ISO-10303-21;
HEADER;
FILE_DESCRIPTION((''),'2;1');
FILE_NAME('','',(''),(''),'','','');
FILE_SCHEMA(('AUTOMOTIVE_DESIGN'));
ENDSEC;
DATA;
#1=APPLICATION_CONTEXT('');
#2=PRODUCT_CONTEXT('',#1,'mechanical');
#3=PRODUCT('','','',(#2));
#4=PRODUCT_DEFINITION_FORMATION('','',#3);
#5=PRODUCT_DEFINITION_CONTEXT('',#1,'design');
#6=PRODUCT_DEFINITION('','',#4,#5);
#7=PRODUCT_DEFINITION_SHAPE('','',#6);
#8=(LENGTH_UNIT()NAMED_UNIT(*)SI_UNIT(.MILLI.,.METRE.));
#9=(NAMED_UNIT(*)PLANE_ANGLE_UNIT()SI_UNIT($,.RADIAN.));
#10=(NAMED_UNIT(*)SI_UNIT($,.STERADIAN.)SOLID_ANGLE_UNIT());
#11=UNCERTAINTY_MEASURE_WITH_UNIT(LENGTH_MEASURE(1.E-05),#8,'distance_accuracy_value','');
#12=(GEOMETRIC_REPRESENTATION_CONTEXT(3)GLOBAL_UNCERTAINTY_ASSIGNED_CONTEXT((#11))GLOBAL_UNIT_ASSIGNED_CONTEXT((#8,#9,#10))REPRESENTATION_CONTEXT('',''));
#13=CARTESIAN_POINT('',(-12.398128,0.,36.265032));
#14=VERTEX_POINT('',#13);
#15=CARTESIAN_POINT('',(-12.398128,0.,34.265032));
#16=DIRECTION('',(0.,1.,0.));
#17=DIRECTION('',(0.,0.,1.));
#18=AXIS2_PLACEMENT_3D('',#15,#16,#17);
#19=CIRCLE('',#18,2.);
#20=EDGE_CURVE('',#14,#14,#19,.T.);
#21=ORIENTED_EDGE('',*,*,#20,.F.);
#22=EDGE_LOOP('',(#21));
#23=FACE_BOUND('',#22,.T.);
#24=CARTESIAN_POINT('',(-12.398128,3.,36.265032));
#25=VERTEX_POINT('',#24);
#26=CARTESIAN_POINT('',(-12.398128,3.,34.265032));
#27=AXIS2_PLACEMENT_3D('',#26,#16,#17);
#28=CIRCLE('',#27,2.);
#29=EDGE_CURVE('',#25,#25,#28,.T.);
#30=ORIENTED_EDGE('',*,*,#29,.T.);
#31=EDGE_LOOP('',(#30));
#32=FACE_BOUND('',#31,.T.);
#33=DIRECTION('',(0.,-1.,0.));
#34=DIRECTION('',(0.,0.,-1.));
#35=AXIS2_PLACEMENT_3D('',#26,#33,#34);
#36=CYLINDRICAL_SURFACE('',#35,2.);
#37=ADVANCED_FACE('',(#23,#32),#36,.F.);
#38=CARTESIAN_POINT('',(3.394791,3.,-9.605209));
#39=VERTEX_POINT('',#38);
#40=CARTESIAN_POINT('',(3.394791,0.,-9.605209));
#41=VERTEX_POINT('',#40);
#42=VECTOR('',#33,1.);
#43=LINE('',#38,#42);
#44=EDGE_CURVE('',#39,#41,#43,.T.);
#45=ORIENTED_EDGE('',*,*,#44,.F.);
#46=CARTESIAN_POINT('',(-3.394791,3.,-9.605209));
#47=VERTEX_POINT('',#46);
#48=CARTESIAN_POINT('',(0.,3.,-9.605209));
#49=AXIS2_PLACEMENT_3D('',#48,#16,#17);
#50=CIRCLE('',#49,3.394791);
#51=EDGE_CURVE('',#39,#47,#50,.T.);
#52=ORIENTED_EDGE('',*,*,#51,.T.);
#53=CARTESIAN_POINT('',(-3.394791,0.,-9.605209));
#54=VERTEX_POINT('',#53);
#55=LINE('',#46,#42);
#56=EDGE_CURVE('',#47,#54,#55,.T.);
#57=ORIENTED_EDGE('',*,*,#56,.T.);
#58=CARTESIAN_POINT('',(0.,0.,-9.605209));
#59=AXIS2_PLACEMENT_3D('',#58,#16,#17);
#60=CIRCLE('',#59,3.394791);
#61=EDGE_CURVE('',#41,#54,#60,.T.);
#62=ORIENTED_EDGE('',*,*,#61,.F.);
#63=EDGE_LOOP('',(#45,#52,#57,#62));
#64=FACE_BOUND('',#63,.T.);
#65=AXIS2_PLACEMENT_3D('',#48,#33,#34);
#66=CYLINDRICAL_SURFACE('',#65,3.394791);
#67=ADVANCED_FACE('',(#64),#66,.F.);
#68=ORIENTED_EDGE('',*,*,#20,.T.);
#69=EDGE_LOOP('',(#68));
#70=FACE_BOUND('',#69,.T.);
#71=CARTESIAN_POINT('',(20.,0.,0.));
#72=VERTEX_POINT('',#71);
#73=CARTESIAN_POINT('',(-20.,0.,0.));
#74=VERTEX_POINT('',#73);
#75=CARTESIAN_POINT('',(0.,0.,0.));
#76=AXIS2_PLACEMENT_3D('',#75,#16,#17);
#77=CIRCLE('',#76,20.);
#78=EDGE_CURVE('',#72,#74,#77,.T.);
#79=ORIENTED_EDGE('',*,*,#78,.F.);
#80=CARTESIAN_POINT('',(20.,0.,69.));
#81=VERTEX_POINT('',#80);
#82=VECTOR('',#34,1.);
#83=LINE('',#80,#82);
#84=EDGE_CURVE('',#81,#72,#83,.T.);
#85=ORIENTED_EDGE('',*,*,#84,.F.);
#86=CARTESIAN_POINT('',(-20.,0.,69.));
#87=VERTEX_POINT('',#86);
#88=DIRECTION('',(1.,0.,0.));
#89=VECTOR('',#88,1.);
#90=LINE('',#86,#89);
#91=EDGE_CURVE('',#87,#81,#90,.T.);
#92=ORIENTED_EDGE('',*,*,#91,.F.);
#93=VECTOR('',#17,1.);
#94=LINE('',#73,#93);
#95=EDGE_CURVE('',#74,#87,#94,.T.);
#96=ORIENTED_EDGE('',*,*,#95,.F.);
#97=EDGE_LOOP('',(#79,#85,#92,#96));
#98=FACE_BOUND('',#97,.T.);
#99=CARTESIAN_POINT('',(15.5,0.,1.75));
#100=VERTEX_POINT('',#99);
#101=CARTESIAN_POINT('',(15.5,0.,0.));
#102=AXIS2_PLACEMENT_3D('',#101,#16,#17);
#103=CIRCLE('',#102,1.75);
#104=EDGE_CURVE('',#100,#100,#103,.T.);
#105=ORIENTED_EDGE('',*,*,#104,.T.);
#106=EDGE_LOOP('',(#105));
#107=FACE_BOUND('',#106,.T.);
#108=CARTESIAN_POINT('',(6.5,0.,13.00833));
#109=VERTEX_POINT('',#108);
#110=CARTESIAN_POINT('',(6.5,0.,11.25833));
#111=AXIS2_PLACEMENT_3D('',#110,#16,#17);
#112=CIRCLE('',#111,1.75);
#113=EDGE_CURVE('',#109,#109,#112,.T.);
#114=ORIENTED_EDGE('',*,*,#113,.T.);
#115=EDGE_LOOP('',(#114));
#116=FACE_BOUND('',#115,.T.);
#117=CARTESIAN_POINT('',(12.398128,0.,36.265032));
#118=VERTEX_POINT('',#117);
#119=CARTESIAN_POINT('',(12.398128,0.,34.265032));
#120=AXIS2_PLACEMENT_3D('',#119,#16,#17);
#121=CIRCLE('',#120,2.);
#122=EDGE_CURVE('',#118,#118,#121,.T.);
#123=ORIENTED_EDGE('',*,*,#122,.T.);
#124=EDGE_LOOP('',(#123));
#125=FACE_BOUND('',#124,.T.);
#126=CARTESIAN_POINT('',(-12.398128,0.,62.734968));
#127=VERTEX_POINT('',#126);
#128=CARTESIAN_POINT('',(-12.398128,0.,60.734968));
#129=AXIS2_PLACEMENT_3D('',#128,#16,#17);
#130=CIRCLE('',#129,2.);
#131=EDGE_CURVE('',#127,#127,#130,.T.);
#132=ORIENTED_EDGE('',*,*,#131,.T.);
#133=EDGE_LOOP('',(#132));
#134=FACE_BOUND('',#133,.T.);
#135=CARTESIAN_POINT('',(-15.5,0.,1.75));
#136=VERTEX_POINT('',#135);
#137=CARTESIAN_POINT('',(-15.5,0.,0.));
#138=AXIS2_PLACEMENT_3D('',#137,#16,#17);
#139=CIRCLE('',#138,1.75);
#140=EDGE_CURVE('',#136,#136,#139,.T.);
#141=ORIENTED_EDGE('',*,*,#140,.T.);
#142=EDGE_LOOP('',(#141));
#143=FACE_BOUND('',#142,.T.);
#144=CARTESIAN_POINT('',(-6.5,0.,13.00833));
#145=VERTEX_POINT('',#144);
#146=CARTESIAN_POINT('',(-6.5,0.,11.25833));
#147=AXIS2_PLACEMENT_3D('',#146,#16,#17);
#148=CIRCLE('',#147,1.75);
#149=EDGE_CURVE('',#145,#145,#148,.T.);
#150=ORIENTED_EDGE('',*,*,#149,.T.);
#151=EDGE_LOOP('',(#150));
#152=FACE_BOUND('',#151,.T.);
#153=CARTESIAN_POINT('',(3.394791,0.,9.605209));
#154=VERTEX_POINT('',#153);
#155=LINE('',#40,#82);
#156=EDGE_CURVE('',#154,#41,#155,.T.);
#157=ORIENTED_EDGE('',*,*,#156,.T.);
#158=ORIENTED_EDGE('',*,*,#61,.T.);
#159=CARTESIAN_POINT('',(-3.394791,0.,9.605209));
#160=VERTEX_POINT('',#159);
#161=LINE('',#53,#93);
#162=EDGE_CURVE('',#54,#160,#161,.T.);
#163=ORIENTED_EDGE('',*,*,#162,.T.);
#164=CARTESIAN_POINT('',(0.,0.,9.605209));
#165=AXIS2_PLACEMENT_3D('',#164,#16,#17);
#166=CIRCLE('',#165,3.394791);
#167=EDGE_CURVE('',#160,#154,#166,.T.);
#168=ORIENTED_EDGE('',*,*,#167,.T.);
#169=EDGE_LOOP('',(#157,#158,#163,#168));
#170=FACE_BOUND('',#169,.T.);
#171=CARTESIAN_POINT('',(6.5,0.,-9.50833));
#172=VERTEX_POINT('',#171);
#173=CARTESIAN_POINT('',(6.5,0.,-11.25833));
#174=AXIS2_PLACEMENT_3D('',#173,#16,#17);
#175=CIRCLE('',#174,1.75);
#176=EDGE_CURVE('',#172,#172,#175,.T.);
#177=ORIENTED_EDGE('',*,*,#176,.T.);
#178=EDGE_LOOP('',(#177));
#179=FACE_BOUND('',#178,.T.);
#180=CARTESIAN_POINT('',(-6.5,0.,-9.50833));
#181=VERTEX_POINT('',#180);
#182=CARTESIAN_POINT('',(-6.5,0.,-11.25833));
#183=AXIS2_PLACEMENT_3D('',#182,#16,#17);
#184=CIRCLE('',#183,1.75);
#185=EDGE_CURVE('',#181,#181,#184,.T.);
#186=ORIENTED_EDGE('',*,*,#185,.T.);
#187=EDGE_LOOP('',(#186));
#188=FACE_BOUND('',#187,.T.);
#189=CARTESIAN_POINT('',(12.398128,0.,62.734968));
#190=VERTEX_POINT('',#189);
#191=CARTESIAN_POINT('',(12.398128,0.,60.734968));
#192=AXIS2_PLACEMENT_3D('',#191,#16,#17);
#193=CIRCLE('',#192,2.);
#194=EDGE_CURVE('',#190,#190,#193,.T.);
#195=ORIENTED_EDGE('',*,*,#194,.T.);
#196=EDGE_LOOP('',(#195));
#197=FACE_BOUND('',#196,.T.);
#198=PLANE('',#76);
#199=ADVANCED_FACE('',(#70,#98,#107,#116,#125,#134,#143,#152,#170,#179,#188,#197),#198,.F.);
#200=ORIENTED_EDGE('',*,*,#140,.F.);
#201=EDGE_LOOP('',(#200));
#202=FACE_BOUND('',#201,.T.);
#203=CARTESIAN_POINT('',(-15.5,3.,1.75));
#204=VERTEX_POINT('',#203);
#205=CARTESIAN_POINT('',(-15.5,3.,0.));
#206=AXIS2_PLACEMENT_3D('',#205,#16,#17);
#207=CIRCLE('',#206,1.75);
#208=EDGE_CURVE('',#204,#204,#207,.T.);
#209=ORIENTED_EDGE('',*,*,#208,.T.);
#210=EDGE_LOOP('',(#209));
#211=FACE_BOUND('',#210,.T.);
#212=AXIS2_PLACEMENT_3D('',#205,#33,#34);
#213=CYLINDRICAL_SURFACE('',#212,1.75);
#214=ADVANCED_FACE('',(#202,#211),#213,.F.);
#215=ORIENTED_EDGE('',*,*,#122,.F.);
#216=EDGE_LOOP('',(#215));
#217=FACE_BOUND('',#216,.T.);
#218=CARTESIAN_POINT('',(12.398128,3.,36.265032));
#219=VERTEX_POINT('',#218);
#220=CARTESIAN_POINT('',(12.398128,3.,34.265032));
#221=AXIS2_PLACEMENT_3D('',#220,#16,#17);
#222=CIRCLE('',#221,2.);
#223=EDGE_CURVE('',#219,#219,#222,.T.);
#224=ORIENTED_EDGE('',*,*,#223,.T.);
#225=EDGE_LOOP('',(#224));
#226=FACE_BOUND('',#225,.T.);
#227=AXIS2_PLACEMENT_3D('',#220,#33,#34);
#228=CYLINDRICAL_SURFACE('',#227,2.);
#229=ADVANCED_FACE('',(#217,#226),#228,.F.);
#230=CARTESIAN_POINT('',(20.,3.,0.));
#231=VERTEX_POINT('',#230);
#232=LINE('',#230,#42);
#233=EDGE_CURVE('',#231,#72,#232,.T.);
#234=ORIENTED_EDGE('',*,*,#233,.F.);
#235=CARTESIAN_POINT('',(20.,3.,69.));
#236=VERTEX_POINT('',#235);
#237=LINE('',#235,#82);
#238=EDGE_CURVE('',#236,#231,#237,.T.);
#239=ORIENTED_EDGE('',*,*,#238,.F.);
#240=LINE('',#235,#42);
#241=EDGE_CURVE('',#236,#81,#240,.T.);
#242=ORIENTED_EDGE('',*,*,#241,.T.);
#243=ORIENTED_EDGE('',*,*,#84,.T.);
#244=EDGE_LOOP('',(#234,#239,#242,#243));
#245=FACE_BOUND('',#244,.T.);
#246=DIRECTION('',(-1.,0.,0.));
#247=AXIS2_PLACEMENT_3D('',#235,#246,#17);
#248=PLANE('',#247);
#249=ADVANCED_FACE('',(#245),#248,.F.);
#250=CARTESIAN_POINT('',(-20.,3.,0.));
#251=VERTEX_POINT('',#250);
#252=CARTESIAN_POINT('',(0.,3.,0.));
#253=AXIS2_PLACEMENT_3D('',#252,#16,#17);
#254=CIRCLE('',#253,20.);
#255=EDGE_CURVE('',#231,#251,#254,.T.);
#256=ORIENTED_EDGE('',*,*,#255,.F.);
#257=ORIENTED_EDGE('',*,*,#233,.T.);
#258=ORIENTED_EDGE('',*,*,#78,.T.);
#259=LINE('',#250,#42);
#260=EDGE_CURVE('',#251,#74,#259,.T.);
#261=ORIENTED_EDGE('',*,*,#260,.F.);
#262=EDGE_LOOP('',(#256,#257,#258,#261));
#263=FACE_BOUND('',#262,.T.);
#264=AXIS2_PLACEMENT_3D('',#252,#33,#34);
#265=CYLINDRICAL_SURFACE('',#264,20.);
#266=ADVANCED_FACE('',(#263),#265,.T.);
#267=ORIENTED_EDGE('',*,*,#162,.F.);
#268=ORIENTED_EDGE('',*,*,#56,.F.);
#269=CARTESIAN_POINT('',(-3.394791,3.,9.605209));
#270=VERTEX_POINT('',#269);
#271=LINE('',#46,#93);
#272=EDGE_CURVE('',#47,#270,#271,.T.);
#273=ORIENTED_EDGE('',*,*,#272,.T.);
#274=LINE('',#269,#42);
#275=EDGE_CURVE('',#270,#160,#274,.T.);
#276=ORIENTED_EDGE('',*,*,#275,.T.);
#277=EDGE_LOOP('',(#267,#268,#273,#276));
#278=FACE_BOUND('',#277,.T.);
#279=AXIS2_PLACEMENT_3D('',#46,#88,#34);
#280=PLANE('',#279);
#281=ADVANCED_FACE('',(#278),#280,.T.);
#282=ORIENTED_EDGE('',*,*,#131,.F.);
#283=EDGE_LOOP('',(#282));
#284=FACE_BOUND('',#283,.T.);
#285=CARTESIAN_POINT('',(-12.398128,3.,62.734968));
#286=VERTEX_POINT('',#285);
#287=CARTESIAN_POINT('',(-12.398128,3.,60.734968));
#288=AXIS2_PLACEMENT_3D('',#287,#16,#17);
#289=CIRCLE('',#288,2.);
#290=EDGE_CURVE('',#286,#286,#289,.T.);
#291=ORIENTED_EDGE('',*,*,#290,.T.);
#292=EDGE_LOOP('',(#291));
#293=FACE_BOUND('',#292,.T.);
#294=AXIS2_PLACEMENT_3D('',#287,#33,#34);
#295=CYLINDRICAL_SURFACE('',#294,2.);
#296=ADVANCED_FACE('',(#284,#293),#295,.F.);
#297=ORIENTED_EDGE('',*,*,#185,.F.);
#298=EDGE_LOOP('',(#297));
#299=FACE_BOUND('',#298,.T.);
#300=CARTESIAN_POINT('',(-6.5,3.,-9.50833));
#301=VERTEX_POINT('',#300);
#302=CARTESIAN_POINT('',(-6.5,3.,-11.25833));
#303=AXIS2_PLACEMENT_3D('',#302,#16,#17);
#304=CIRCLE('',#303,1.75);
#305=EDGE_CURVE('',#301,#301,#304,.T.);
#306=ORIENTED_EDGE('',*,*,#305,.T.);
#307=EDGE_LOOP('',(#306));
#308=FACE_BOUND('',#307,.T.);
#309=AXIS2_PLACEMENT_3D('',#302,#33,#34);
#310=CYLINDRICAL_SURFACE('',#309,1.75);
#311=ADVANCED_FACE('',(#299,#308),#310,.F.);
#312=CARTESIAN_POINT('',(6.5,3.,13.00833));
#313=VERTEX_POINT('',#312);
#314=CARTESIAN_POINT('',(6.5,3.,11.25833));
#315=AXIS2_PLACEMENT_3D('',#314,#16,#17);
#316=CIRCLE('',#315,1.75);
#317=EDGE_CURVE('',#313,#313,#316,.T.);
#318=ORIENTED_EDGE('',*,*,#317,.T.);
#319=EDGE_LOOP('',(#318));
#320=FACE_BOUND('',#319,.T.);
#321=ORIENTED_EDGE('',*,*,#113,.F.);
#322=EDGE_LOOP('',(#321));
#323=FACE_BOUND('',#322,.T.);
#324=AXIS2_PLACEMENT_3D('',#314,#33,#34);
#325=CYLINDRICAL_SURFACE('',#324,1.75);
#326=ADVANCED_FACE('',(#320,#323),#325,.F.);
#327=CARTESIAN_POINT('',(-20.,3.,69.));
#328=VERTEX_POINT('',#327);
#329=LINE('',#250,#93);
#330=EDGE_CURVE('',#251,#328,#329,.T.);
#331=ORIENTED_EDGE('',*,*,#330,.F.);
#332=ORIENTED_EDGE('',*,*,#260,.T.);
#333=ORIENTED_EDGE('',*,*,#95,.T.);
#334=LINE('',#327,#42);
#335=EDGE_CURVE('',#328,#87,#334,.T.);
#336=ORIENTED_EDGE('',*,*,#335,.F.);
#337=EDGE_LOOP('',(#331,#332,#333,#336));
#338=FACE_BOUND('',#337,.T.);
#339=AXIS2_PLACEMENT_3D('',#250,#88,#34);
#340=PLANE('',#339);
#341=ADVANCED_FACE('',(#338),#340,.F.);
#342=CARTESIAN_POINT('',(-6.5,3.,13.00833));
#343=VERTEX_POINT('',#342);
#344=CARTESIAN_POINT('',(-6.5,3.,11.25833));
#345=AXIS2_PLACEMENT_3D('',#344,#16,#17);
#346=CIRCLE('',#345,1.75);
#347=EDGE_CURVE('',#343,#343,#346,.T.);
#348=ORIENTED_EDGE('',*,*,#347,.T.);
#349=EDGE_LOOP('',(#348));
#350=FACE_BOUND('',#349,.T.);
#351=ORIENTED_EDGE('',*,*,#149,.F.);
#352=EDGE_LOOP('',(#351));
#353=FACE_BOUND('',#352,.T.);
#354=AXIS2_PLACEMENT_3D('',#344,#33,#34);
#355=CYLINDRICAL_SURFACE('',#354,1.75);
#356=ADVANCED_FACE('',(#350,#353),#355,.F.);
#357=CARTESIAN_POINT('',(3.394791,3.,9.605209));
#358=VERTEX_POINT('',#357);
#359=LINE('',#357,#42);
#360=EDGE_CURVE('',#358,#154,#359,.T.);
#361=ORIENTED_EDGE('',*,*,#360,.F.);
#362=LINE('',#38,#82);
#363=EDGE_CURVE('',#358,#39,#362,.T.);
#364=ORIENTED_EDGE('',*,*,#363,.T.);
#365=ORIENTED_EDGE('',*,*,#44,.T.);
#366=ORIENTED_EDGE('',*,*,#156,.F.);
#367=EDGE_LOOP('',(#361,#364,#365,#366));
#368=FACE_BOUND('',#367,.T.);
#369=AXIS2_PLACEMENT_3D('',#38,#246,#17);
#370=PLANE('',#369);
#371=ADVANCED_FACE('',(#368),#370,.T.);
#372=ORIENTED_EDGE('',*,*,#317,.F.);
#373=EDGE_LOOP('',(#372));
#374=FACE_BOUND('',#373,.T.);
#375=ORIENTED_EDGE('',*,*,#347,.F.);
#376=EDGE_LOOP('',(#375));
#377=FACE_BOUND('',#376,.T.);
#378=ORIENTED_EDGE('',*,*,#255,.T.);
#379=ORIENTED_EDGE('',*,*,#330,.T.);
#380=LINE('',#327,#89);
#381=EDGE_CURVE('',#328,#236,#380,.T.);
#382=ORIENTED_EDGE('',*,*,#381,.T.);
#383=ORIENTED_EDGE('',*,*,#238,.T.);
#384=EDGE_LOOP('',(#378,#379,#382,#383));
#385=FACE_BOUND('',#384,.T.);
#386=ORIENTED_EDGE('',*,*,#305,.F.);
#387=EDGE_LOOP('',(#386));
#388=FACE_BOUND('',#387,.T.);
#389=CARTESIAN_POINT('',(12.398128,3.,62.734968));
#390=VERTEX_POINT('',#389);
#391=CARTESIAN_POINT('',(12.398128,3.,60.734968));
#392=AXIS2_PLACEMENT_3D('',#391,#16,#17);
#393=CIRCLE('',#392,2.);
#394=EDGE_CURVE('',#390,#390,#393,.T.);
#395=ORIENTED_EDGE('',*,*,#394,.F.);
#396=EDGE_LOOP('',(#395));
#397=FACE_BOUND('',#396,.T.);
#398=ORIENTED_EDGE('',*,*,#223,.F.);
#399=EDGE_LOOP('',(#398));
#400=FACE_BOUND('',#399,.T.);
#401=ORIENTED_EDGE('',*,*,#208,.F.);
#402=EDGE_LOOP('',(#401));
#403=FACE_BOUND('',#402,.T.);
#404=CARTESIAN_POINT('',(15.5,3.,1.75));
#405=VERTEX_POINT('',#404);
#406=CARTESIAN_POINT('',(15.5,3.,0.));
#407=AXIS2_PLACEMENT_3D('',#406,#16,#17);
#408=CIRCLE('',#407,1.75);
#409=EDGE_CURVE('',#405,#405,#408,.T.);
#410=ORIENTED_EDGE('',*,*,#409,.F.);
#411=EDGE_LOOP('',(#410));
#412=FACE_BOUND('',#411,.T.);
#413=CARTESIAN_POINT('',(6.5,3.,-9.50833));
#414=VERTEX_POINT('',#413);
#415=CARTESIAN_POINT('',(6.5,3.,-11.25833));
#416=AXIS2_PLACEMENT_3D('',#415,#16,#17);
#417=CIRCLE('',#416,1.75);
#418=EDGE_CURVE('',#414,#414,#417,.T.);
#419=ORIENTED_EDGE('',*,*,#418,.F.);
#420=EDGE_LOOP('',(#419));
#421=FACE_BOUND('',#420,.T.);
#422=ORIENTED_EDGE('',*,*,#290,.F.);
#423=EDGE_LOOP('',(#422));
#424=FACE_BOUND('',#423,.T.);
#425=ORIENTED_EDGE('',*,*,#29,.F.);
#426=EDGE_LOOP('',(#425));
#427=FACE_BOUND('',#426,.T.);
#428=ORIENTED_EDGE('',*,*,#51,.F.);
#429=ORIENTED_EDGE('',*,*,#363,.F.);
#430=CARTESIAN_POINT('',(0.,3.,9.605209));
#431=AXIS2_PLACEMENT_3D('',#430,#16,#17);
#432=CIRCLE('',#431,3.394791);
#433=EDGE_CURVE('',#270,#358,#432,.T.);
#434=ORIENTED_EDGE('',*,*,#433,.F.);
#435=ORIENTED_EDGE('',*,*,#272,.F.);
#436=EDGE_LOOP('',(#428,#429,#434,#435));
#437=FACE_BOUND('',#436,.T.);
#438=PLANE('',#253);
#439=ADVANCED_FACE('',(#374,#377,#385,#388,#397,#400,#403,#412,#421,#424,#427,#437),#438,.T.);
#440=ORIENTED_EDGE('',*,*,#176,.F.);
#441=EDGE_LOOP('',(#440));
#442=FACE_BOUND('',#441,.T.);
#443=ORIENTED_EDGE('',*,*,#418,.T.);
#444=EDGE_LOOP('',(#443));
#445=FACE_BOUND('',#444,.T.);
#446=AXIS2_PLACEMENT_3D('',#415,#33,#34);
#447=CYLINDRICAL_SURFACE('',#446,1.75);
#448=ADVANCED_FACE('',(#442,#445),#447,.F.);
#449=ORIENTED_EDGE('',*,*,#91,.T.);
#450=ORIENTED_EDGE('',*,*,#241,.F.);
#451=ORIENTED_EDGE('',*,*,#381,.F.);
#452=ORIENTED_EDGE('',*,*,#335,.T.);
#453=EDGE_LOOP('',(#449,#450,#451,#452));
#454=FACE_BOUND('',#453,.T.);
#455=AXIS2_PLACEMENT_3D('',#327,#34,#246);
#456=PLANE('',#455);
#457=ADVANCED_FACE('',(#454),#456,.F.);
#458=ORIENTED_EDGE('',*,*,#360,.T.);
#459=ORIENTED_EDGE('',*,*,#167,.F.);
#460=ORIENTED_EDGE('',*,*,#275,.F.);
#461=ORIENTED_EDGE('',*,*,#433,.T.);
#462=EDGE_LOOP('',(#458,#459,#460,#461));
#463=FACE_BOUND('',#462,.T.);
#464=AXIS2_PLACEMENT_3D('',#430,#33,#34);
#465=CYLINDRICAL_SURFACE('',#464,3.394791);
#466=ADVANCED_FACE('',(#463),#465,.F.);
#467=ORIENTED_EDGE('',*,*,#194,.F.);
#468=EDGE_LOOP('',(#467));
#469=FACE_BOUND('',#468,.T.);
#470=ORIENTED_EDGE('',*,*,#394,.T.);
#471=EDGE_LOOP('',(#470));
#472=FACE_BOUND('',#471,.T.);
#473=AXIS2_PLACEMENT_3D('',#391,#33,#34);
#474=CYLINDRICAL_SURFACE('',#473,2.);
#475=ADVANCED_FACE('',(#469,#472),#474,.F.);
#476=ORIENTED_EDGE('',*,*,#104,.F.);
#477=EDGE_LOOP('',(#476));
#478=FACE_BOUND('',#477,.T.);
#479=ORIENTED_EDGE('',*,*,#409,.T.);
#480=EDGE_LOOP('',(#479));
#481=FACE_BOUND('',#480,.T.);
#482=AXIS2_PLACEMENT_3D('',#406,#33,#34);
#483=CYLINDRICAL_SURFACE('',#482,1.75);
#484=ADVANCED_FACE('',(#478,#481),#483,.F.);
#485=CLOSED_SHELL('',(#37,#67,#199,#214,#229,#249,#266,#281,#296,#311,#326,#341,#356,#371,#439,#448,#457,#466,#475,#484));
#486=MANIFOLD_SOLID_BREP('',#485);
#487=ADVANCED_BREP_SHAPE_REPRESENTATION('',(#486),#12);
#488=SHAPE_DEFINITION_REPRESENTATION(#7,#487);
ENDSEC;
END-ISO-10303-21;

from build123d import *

# Parameters (mm, degrees)
SKETCH_1_R      = 1.75
SKETCH_1_R_2    = 2
EXTRUDE_1_DEPTH = 3


with BuildPart() as part:
    # 草图1 → 凸台-拉伸1 (new body)
    with BuildSketch(Plane(origin=(0, 0, 0), x_dir=(1, 0, 0), z_dir=(0, 1, 0))):
        with BuildLine():
            Line((-20, 0), (-20, -69))
            Line((-20, -69), (20, -69))
            Line((20, -69), (20, 0))
            ThreePointArc((20, 0), (0, 20), (-20, 0))
        make_face()
        with Locations(Location((-6.5, 11.258330249, 0), (0, 0, 270))):
            Circle(SKETCH_1_R, mode=Mode.SUBTRACT)
        with Locations(Location((6.5, 11.258330249, 0), (0, 0, 270))):
            Circle(SKETCH_1_R, mode=Mode.SUBTRACT)
        with Locations(Location((-15.5, 0, 0), (0, 0, 270))):
            Circle(SKETCH_1_R, mode=Mode.SUBTRACT)
        with Locations(Location((15.5, 0, 0), (0, 0, 270))):
            Circle(SKETCH_1_R, mode=Mode.SUBTRACT)
        with Locations(Location((-6.5, -11.258330249, 0), (0, 0, 270))):
            Circle(SKETCH_1_R, mode=Mode.SUBTRACT)
        with Locations(Location((6.5, -11.258330249, 0), (0, 0, 270))):
            Circle(SKETCH_1_R, mode=Mode.SUBTRACT)
        with Locations(Location((-12.398128108, -34.265032361, 0), (0, 0, 270))):
            Circle(SKETCH_1_R_2, mode=Mode.SUBTRACT)
        with Locations(Location((-12.398128108, -60.734967639, 0), (0, 0, 270))):
            Circle(SKETCH_1_R_2, mode=Mode.SUBTRACT)
        with Locations(Location((12.398128108, -34.265032361, 0), (0, 0, 270))):
            Circle(SKETCH_1_R_2, mode=Mode.SUBTRACT)
        with Locations(Location((12.398128108, -60.734967639, 0), (0, 0, 270))):
            Circle(SKETCH_1_R_2, mode=Mode.SUBTRACT)
        with BuildLine():
            Line((3.394790848, 9.605209152), (3.394790848, -9.605209152))
            ThreePointArc((3.394790848, -9.605209152), (0, -13), (-3.394790848, -9.605209152))
            Line((-3.394790848, -9.605209152), (-3.394790848, 9.605209152))
            ThreePointArc((-3.394790848, 9.605209152), (0, 13), (3.394790848, 9.605209152))
        make_face(mode=Mode.SUBTRACT)
    extrude(amount=EXTRUDE_1_DEPTH)


solid = part.part
